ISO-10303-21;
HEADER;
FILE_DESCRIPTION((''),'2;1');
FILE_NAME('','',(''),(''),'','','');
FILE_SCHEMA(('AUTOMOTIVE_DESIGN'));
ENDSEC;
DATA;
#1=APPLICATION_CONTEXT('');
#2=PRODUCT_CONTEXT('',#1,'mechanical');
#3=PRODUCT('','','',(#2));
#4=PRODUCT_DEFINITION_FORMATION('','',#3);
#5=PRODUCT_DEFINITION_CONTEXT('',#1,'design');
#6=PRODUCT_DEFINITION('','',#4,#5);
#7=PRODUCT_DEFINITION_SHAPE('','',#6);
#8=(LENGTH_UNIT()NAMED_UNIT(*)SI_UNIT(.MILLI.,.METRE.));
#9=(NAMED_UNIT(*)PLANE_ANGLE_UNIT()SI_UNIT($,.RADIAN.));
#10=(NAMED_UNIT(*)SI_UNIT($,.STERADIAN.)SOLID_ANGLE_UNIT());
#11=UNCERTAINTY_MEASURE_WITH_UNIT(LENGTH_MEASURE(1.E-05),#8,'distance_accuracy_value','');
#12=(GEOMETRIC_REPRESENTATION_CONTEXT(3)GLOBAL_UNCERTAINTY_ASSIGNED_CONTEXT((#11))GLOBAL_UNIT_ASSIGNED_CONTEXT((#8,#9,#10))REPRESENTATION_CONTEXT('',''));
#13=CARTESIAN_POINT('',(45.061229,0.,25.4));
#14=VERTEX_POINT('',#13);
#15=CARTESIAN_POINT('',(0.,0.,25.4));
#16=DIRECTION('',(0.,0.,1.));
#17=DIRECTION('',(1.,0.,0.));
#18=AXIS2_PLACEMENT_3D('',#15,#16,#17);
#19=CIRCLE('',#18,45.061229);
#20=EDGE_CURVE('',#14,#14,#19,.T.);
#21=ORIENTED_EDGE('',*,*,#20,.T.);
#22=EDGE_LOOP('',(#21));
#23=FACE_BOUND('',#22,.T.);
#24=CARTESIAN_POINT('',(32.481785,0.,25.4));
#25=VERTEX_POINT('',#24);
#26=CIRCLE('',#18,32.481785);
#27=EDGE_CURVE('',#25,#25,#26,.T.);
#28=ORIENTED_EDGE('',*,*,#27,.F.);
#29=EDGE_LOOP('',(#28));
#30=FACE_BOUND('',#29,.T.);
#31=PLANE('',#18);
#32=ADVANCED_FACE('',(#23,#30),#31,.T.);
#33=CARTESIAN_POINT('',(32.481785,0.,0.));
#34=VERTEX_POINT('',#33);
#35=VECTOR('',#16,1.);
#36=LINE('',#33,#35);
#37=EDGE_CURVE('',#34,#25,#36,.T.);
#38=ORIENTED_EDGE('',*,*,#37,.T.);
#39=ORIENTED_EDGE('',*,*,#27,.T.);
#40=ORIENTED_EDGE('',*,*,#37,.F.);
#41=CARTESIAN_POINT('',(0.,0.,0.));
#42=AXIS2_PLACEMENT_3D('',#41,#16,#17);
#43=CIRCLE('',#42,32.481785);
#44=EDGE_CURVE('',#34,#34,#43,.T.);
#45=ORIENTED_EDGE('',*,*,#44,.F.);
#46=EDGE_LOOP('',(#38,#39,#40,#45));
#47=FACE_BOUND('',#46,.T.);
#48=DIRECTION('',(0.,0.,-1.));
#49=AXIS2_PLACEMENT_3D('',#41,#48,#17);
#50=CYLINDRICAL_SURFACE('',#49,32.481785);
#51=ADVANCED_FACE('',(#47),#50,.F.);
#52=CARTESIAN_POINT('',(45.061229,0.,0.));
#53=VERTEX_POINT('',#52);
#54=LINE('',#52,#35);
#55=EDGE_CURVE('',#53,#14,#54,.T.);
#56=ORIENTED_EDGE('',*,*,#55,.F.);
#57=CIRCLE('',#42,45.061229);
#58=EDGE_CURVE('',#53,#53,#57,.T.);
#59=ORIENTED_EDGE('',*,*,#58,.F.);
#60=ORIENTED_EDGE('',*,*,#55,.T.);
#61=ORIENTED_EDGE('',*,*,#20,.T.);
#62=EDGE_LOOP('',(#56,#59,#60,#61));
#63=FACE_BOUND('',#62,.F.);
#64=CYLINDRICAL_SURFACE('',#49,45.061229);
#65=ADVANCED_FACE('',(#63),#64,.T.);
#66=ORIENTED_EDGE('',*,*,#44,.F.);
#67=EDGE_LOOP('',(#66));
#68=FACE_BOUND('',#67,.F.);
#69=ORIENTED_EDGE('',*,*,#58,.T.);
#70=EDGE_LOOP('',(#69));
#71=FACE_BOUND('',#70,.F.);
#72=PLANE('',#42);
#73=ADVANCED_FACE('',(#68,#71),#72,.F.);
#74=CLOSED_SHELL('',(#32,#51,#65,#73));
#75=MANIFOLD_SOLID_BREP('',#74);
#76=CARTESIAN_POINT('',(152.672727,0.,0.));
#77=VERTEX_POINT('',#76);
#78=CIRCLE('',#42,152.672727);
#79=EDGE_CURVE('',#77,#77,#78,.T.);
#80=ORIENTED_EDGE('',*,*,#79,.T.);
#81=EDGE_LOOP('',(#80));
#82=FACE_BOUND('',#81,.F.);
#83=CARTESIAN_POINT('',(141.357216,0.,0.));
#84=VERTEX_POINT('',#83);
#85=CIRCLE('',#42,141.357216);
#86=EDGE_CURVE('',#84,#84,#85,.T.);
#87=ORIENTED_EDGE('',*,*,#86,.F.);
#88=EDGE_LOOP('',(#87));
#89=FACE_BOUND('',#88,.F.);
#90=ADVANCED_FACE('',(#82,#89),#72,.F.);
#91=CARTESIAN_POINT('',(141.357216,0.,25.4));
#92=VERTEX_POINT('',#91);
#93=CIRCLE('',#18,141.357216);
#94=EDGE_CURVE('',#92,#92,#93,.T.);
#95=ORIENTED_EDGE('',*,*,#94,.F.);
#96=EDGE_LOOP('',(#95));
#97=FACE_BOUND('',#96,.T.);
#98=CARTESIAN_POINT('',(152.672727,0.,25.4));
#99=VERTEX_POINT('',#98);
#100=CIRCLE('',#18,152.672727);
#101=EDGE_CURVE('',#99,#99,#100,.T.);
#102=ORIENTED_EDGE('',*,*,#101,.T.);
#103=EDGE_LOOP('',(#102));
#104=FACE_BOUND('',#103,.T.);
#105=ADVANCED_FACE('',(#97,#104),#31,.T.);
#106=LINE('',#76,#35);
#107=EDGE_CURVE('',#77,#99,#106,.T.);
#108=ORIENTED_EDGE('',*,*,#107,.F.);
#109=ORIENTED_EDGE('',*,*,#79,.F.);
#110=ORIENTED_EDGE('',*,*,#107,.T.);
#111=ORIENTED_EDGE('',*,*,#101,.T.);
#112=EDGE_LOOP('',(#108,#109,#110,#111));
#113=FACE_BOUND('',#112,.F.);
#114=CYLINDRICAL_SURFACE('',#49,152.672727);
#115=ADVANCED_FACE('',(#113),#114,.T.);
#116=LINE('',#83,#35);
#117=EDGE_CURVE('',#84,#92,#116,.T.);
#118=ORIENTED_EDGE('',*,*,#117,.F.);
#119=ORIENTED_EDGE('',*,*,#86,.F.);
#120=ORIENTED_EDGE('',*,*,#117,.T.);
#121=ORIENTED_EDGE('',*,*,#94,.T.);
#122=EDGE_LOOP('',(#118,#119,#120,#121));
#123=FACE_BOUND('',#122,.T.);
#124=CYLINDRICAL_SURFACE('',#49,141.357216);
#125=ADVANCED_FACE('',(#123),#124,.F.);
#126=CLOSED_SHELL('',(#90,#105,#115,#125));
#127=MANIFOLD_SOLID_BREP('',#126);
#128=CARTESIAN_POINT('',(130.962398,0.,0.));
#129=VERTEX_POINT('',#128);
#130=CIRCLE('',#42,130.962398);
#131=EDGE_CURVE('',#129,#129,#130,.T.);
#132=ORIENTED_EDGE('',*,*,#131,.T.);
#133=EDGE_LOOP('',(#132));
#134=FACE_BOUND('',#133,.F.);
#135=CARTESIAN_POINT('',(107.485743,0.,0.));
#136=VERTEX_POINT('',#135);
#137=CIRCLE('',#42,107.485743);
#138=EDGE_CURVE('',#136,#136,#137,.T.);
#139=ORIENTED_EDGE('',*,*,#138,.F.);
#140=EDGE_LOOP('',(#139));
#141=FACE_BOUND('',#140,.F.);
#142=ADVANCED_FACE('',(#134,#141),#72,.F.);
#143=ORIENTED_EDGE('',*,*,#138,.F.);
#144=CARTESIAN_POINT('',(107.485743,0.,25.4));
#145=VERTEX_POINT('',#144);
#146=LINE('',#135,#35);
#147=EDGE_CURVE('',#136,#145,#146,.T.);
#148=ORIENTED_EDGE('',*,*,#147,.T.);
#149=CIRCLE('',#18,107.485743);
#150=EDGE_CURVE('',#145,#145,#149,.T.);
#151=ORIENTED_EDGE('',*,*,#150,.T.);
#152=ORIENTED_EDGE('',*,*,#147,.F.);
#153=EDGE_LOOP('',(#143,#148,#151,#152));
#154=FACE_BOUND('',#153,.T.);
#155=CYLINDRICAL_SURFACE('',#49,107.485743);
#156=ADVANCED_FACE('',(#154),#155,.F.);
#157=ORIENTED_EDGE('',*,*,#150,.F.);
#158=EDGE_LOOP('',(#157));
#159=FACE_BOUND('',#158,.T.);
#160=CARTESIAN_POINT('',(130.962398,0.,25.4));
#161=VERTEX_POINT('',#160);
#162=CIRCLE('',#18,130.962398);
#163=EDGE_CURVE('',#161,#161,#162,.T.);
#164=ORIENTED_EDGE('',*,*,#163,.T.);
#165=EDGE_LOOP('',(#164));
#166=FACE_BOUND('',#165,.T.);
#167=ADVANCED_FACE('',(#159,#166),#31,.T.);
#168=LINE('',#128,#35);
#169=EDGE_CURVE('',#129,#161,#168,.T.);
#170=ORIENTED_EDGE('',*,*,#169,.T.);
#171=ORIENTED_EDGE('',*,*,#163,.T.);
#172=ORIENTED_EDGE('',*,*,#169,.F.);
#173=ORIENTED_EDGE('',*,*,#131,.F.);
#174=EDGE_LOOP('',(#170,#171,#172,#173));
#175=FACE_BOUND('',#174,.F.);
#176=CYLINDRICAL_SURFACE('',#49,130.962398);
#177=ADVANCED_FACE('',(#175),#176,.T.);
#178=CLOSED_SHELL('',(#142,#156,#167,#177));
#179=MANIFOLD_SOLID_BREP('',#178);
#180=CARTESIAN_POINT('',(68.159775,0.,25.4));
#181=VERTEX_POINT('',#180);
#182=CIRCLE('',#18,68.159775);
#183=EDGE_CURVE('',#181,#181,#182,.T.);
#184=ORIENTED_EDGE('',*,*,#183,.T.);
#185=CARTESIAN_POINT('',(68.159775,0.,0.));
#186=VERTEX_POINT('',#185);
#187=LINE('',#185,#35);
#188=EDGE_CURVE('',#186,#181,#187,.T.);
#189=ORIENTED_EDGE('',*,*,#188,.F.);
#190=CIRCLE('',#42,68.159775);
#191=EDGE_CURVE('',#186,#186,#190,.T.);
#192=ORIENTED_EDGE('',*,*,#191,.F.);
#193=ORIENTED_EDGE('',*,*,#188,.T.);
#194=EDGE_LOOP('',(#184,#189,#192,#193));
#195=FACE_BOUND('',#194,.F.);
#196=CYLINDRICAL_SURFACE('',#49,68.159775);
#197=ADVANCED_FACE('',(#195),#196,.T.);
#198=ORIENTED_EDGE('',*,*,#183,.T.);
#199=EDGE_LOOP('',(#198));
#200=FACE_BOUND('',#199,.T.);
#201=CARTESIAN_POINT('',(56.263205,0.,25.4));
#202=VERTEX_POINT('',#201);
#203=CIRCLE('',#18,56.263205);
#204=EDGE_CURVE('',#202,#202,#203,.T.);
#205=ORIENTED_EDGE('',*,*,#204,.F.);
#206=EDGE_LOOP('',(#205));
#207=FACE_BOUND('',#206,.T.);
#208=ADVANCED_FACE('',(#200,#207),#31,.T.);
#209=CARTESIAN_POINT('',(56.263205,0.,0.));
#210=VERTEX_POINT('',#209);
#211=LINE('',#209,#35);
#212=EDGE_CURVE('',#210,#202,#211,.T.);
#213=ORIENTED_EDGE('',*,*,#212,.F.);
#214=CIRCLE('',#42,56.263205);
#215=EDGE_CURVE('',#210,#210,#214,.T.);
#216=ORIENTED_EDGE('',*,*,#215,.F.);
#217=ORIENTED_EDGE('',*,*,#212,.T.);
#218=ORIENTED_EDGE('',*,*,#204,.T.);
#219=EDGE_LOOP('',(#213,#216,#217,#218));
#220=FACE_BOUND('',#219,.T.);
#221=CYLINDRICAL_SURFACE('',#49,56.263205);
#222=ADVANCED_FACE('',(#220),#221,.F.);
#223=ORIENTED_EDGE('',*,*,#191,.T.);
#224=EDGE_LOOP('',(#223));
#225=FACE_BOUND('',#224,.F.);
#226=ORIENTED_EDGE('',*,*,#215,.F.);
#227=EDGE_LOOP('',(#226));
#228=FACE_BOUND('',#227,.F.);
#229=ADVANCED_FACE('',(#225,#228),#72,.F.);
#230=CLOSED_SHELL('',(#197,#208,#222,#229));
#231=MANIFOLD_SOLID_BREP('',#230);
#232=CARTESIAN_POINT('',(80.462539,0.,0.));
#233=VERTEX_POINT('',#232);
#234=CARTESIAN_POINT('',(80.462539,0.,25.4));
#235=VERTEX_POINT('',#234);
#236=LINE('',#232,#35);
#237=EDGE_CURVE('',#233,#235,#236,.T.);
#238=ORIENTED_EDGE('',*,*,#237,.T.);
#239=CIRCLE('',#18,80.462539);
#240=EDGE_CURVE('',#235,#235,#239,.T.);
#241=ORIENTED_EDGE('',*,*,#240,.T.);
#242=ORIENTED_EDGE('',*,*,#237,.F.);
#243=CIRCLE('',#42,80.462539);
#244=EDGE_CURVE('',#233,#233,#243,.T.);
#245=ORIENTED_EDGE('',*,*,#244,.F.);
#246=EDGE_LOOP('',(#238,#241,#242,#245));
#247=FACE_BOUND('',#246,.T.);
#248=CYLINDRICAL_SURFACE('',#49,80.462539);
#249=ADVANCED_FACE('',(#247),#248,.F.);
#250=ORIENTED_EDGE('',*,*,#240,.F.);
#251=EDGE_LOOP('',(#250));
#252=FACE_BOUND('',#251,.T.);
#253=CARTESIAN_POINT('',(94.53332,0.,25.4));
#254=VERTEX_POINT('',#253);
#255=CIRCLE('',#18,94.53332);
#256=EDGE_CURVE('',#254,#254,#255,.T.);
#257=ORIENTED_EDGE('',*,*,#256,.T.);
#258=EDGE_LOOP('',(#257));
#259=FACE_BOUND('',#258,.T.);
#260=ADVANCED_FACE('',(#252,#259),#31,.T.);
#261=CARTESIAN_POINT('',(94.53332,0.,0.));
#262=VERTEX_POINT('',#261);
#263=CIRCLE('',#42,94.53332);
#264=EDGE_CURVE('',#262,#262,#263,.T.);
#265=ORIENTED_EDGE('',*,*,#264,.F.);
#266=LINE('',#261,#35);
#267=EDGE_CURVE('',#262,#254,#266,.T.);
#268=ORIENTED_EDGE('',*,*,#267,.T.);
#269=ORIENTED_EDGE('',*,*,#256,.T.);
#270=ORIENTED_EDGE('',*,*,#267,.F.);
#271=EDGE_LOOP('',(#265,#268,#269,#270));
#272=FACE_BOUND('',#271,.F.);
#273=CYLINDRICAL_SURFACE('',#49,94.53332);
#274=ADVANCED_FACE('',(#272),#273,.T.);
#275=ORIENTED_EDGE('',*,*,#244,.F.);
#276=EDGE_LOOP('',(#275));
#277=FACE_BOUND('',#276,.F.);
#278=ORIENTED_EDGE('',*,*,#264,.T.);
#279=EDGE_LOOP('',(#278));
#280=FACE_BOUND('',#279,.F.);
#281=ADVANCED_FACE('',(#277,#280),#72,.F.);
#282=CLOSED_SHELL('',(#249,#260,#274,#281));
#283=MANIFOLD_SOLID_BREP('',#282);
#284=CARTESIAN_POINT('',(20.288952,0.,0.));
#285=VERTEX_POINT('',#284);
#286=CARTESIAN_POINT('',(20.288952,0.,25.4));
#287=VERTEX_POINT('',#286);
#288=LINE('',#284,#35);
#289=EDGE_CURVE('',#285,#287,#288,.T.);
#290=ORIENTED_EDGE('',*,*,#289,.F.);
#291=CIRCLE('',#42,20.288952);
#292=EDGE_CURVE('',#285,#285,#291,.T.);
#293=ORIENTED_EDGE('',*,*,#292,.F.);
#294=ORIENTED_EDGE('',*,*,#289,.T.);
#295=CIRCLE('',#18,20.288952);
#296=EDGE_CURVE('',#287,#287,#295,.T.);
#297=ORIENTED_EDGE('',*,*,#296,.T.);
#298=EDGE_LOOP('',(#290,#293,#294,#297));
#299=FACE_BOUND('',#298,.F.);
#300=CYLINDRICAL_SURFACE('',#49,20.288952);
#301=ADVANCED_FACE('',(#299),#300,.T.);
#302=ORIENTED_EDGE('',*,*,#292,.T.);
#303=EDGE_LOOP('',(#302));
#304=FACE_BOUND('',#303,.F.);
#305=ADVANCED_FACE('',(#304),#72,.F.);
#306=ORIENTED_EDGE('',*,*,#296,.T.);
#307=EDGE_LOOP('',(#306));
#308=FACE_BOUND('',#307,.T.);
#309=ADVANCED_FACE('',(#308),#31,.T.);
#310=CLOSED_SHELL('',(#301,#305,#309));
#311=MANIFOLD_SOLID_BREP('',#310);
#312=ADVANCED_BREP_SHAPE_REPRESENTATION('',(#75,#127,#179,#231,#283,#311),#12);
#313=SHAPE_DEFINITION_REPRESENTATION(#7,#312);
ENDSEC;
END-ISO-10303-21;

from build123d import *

# Parameters (mm, degrees)
F0_R     = 152.6727266887
F0_R_2   = 141.3572157694
F1_DEPTH = 25.4
F0_R_3   = 20.2889524638
F0_R_4   = 14.4472171752
F0_R_5   = 9.0833704394
F0_R_6   = 4.952842328
F0_R_7   = 45.061229223
F0_R_8   = 32.481784501
F0_R_9   = 68.1597746354
F0_R_10  = 56.2632048915
F0_R_11  = 94.5333203262
F0_R_12  = 80.4625394079
F0_R_13  = 130.9623975477
F0_R_14  = 119.1809039493
F0_R_15  = 107.4857430574


with BuildPart() as f1:
    # F0 (on Top) → F1 (new body)
    with BuildSketch(Plane.XY):
        Circle(F0_R)
        Circle(F0_R_2, mode=Mode.SUBTRACT)
    extrude(amount=F1_DEPTH)


with BuildPart() as f1b:
    # F0 (on Top) → F1, piece 2 (new body)
    with BuildSketch(Plane.XY):
        Circle(F0_R_3)
        Circle(F0_R_4, mode=Mode.SUBTRACT)
        Circle(F0_R_4)
        Circle(F0_R_5, mode=Mode.SUBTRACT)
        Circle(F0_R_5)
        Circle(F0_R_6, mode=Mode.SUBTRACT)
        Circle(F0_R_6)
    extrude(amount=F1_DEPTH)


with BuildPart() as f1c:
    # F0 (on Top) → F1, piece 3 (new body)
    with BuildSketch(Plane.XY):
        Circle(F0_R_7)
        Circle(F0_R_8, mode=Mode.SUBTRACT)
    extrude(amount=F1_DEPTH)


with BuildPart() as f1d:
    # F0 (on Top) → F1, piece 4 (new body)
    with BuildSketch(Plane.XY):
        Circle(F0_R_9)
        Circle(F0_R_10, mode=Mode.SUBTRACT)
    extrude(amount=F1_DEPTH)


with BuildPart() as f1e:
    # F0 (on Top) → F1, piece 5 (new body)
    with BuildSketch(Plane.XY):
        Circle(F0_R_11)
        Circle(F0_R_12, mode=Mode.SUBTRACT)
    extrude(amount=F1_DEPTH)


with BuildPart() as f1f:
    # F0 (on Top) → F1, piece 6 (new body)
    with BuildSketch(Plane.XY):
        Circle(F0_R_13)
        Circle(F0_R_14, mode=Mode.SUBTRACT)
        Circle(F0_R_14)
        Circle(F0_R_15, mode=Mode.SUBTRACT)
    extrude(amount=F1_DEPTH)


solid = Compound([f1.part, f1b.part, f1c.part, f1d.part, f1e.part, f1f.part])
